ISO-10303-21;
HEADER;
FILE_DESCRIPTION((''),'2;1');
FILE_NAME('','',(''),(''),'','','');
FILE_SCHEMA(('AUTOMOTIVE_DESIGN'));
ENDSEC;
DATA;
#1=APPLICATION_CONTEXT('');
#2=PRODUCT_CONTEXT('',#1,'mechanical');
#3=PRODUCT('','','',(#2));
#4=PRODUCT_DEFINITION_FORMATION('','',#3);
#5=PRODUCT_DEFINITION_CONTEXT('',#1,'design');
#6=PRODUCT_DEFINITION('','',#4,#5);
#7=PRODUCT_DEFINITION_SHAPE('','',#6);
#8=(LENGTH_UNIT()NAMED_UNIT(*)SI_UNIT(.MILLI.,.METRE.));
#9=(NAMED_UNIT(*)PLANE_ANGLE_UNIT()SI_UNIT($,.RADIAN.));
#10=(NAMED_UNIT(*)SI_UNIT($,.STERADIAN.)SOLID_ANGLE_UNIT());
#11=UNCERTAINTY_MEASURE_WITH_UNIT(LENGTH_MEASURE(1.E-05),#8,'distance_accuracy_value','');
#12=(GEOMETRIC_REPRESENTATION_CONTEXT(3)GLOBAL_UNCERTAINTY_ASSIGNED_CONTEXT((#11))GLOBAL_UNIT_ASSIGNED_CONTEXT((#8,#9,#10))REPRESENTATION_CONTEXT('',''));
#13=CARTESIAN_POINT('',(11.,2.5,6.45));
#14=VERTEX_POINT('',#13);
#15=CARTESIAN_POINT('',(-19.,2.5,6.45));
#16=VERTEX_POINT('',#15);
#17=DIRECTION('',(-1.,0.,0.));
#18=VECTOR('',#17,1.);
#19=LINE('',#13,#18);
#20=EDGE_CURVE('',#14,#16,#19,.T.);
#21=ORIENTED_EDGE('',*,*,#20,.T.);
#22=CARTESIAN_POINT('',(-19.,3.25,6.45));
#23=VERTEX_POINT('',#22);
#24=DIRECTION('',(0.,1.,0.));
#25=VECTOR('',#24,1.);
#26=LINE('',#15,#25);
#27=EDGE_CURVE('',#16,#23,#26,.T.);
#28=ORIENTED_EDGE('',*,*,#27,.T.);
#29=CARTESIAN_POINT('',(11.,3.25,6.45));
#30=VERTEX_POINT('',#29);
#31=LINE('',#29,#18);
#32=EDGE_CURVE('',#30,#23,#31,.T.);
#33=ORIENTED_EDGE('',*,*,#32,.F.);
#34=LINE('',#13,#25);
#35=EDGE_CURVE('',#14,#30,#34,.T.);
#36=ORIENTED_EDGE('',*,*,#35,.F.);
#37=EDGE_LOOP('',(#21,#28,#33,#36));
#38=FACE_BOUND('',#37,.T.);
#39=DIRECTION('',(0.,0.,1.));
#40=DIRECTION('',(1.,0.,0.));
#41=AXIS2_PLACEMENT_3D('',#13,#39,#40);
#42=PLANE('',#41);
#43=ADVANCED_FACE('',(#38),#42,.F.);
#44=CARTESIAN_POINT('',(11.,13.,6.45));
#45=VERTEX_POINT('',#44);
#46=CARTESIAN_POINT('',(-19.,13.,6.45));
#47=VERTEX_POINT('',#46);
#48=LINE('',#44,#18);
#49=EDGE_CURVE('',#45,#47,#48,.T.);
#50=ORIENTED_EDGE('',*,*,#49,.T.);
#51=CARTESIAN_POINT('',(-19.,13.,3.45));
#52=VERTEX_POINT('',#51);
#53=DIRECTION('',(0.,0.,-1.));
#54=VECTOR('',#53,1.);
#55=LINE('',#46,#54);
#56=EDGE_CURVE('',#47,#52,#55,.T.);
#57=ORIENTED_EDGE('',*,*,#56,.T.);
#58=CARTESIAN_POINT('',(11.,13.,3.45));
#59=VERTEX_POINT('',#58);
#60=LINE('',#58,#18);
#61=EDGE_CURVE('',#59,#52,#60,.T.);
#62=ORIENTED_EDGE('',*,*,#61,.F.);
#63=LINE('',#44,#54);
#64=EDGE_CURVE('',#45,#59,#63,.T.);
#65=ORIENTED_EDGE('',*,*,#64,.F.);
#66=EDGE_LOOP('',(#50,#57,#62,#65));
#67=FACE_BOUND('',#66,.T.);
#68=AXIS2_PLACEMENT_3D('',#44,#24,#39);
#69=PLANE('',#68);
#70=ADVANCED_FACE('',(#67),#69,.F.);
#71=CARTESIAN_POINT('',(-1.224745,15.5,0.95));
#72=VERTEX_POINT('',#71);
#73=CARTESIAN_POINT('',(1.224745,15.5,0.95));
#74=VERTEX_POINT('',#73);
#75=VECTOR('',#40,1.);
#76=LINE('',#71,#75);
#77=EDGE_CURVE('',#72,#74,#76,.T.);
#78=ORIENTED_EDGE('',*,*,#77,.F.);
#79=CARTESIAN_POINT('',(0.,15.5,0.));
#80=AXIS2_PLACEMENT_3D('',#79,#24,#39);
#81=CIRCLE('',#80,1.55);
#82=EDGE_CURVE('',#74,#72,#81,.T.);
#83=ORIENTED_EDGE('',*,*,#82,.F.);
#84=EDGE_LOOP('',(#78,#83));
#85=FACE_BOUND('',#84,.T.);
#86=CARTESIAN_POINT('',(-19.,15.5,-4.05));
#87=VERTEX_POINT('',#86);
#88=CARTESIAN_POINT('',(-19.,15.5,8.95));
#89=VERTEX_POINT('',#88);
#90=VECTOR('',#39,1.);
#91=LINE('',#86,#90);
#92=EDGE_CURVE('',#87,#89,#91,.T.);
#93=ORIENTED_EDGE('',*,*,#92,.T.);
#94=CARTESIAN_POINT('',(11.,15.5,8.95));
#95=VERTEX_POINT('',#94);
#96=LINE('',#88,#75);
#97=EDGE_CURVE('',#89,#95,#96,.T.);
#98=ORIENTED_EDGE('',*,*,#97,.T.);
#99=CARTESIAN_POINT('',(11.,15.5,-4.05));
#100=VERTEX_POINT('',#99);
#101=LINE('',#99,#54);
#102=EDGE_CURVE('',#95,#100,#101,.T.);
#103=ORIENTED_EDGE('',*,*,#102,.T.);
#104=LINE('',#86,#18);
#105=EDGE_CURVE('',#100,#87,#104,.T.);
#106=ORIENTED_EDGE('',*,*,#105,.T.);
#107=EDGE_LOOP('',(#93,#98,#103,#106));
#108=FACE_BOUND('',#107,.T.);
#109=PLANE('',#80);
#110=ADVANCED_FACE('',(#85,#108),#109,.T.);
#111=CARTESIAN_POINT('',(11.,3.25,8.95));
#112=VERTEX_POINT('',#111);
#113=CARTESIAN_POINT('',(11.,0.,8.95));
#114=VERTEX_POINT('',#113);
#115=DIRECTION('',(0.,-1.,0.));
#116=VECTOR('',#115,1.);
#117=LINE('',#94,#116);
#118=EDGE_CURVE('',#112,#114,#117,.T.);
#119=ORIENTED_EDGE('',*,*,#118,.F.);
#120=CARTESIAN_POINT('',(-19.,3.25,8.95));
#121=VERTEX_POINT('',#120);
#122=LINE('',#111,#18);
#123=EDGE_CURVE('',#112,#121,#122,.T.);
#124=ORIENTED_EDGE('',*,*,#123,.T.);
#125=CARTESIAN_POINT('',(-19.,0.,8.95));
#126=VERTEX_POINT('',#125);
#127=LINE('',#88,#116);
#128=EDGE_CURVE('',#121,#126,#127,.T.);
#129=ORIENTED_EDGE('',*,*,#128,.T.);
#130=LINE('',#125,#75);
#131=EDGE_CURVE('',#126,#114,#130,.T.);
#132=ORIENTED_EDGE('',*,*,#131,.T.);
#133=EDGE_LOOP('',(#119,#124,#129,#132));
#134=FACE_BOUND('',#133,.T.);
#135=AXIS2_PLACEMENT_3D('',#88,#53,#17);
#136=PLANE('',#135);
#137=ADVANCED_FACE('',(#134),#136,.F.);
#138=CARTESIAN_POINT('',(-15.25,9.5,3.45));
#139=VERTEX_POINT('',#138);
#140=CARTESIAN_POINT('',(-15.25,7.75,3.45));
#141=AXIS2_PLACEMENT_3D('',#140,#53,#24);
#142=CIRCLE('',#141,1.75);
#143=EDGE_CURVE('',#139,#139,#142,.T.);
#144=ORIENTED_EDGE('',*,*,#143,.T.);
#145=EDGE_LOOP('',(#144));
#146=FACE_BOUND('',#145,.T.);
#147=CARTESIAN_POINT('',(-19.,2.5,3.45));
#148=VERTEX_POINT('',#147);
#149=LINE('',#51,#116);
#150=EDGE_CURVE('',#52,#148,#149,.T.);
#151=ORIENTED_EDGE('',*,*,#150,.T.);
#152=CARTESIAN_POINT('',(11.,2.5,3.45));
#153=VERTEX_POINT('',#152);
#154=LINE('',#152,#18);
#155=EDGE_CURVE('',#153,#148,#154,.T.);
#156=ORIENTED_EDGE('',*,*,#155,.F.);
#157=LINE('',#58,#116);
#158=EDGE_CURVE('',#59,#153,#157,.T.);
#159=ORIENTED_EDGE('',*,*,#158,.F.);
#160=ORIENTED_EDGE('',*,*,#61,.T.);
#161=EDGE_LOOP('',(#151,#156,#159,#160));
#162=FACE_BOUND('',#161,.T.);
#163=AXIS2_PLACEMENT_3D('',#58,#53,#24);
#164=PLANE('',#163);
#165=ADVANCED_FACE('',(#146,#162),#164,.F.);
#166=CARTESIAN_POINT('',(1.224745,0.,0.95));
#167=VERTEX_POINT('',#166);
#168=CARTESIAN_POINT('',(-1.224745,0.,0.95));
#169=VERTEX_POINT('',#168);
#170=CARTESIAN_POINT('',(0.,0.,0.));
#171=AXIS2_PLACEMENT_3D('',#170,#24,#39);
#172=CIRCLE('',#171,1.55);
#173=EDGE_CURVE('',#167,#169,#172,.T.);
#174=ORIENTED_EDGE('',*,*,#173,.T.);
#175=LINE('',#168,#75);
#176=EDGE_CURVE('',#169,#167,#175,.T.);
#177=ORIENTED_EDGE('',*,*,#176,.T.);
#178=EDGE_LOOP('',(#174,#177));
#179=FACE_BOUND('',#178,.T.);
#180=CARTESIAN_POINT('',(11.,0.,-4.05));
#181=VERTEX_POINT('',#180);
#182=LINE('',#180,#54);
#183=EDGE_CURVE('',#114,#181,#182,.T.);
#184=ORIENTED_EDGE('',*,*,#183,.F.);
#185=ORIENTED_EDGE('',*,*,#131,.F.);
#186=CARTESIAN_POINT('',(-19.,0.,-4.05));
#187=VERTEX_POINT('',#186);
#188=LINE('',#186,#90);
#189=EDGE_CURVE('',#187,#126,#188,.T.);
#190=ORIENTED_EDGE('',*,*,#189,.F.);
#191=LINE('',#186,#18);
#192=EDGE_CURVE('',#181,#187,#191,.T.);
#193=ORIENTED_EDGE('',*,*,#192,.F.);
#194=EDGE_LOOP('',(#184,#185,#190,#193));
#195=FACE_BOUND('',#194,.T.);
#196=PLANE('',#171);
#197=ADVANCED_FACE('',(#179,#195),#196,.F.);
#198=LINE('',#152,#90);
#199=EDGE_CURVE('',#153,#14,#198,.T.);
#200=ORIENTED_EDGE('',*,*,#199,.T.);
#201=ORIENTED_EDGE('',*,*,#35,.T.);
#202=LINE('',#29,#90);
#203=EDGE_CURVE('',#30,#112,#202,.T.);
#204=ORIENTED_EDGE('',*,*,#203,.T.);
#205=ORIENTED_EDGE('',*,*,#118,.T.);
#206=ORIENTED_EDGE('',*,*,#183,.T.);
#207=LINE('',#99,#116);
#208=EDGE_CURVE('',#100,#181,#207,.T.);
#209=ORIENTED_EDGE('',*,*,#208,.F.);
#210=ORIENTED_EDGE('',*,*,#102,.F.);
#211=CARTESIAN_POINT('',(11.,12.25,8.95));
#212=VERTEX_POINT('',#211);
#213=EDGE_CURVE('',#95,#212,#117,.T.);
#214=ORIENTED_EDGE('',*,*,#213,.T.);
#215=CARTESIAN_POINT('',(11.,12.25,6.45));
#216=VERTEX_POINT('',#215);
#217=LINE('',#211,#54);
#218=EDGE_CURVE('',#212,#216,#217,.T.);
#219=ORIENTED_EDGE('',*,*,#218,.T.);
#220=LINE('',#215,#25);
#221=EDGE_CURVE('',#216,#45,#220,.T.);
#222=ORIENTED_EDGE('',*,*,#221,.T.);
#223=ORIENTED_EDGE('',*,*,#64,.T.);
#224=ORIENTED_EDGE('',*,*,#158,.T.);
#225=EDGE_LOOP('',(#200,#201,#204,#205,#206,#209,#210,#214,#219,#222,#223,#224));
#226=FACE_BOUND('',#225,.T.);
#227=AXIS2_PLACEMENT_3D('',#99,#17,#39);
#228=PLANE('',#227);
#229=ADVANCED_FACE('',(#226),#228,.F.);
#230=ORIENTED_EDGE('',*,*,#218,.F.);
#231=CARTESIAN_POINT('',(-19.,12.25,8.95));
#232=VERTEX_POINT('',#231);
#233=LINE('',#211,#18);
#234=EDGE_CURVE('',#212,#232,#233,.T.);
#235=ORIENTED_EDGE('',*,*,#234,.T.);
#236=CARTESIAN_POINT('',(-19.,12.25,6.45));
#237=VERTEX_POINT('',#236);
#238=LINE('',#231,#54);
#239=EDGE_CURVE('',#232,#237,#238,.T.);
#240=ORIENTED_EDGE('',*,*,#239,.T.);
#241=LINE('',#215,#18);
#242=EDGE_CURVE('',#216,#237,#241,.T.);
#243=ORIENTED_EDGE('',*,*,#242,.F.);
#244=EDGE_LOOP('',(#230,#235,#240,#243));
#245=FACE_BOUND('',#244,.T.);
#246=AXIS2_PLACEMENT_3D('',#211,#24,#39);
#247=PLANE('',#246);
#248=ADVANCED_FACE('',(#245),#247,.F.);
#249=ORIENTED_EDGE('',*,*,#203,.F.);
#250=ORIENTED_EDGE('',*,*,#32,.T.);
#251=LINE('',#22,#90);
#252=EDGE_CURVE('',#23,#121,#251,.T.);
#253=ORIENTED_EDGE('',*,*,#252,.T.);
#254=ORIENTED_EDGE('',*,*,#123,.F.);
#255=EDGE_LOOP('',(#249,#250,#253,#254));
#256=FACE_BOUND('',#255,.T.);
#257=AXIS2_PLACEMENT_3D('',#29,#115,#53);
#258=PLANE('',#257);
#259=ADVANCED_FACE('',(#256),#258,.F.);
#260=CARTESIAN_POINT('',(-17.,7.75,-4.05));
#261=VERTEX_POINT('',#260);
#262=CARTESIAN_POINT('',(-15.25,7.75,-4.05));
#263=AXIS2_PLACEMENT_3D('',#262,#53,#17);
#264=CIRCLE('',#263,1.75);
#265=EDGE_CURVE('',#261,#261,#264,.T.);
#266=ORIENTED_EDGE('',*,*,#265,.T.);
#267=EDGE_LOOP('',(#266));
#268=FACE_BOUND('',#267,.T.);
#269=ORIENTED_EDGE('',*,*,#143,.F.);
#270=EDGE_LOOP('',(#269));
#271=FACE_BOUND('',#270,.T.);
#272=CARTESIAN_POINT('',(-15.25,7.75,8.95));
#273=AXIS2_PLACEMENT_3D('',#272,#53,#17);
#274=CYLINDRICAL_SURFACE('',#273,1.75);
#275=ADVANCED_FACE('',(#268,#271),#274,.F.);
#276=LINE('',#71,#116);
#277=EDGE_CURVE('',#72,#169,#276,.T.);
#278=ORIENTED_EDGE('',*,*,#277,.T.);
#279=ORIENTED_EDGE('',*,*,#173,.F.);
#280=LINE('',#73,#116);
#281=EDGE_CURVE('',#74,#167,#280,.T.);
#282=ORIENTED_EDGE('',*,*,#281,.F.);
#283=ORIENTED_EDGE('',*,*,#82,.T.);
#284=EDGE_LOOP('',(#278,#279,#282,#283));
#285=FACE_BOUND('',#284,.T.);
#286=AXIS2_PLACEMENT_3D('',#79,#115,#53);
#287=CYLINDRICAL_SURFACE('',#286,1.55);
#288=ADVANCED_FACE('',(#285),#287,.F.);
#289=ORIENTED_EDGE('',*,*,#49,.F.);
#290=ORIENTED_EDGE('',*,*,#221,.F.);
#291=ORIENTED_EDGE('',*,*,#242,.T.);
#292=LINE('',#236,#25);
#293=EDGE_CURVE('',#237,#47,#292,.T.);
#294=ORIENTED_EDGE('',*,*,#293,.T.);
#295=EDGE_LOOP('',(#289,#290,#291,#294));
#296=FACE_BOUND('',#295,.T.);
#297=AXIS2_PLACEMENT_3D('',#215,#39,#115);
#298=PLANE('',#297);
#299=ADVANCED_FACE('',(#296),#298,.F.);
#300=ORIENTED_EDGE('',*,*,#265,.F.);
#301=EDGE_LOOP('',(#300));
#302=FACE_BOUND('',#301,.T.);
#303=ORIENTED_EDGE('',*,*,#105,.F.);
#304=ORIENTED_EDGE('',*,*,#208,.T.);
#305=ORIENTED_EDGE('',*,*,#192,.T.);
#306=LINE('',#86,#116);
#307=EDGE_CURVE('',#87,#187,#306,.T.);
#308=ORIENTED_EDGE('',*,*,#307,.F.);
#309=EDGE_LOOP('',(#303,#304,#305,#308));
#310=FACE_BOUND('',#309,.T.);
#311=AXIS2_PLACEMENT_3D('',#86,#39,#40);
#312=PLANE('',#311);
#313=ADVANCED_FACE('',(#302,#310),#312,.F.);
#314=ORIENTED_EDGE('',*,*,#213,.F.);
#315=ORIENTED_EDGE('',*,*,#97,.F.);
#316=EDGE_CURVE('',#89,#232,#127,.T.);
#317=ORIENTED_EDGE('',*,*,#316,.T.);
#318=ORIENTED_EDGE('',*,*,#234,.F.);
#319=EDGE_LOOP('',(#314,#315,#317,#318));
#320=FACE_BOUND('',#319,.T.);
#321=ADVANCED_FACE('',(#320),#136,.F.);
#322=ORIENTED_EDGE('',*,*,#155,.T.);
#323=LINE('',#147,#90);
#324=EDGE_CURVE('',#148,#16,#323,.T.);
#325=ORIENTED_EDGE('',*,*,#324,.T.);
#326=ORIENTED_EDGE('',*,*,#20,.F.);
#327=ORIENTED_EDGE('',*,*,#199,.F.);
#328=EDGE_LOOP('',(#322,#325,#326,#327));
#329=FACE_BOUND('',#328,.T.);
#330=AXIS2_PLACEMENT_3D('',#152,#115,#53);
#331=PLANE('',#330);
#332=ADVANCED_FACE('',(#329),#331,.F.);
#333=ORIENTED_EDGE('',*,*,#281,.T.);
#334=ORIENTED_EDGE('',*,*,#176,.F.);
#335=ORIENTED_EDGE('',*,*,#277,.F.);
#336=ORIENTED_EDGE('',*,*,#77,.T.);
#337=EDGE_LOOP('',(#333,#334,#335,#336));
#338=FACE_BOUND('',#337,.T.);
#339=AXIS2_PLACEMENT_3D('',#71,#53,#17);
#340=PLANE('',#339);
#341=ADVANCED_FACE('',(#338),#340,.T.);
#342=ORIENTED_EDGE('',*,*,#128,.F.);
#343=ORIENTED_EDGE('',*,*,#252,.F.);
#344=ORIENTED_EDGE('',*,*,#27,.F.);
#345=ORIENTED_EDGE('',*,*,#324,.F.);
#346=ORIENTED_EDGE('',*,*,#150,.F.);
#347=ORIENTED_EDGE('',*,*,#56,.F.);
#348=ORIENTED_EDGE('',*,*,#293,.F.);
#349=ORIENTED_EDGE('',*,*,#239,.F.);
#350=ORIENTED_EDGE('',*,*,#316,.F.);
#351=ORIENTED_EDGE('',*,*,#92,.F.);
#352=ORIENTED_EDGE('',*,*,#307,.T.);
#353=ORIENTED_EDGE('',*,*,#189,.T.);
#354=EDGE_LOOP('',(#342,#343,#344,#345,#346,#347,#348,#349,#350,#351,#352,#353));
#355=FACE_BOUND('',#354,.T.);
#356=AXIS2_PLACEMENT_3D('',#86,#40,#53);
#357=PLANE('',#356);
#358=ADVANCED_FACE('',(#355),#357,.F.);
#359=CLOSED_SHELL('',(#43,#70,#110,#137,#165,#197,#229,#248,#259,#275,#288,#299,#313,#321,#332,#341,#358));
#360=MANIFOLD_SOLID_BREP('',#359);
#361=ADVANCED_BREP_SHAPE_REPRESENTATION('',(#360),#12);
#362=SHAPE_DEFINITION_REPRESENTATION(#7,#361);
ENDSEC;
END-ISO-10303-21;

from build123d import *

# Parameters (mm, degrees)
SKETCH1_W           = 30
SKETCH1_H           = 13
BOSS_EXTRUDE1_DEPTH = 15.5
CUT_EXTRUDE1_DEPTH  = 35.933544052
SKETCH3_R           = 1.75
CUT_EXTRUDE2_DEPTH  = 28.753378173


with BuildPart() as part:
    # Sketch1 → Boss-Extrude1 (new body)
    with BuildSketch(Plane(origin=(0, 0, 0), x_dir=(1, 0, 0), z_dir=(0, 1, 0))):
        with Locations((-4, -2.45)):
            Rectangle(SKETCH1_W, SKETCH1_H)
        with BuildLine():
            Line((-1.224744871, -0.95), (1.224744871, -0.95))
            ThreePointArc((1.224744871, -0.95), (0, 1.55), (-1.224744871, -0.95))
        make_face(mode=Mode.SUBTRACT)
    extrude(amount=BOSS_EXTRUDE1_DEPTH)

    # Sketch2 → Cut-Extrude1 (cut, through all)
    with BuildSketch(Plane.ZY.offset(19)):
        Polygon((8.95, 12.25), (6.45, 12.25), (6.45, 13), (3.45, 13), (3.45, 2.5), (6.45, 2.5), (6.45, 3.25), (8.95, 3.25), align=None)
    extrude(amount=-CUT_EXTRUDE1_DEPTH, mode=Mode.SUBTRACT)

    # Sketch3 → Cut-Extrude2 (cut, through all)
    with BuildSketch(Plane(origin=(0, 0, -4.05), x_dir=(-1, 0, 0), z_dir=(0, 0, -1))):
        with Locations((15.25, 7.75)):
            Circle(SKETCH3_R)
    extrude(amount=-CUT_EXTRUDE2_DEPTH, mode=Mode.SUBTRACT)


solid = part.part
